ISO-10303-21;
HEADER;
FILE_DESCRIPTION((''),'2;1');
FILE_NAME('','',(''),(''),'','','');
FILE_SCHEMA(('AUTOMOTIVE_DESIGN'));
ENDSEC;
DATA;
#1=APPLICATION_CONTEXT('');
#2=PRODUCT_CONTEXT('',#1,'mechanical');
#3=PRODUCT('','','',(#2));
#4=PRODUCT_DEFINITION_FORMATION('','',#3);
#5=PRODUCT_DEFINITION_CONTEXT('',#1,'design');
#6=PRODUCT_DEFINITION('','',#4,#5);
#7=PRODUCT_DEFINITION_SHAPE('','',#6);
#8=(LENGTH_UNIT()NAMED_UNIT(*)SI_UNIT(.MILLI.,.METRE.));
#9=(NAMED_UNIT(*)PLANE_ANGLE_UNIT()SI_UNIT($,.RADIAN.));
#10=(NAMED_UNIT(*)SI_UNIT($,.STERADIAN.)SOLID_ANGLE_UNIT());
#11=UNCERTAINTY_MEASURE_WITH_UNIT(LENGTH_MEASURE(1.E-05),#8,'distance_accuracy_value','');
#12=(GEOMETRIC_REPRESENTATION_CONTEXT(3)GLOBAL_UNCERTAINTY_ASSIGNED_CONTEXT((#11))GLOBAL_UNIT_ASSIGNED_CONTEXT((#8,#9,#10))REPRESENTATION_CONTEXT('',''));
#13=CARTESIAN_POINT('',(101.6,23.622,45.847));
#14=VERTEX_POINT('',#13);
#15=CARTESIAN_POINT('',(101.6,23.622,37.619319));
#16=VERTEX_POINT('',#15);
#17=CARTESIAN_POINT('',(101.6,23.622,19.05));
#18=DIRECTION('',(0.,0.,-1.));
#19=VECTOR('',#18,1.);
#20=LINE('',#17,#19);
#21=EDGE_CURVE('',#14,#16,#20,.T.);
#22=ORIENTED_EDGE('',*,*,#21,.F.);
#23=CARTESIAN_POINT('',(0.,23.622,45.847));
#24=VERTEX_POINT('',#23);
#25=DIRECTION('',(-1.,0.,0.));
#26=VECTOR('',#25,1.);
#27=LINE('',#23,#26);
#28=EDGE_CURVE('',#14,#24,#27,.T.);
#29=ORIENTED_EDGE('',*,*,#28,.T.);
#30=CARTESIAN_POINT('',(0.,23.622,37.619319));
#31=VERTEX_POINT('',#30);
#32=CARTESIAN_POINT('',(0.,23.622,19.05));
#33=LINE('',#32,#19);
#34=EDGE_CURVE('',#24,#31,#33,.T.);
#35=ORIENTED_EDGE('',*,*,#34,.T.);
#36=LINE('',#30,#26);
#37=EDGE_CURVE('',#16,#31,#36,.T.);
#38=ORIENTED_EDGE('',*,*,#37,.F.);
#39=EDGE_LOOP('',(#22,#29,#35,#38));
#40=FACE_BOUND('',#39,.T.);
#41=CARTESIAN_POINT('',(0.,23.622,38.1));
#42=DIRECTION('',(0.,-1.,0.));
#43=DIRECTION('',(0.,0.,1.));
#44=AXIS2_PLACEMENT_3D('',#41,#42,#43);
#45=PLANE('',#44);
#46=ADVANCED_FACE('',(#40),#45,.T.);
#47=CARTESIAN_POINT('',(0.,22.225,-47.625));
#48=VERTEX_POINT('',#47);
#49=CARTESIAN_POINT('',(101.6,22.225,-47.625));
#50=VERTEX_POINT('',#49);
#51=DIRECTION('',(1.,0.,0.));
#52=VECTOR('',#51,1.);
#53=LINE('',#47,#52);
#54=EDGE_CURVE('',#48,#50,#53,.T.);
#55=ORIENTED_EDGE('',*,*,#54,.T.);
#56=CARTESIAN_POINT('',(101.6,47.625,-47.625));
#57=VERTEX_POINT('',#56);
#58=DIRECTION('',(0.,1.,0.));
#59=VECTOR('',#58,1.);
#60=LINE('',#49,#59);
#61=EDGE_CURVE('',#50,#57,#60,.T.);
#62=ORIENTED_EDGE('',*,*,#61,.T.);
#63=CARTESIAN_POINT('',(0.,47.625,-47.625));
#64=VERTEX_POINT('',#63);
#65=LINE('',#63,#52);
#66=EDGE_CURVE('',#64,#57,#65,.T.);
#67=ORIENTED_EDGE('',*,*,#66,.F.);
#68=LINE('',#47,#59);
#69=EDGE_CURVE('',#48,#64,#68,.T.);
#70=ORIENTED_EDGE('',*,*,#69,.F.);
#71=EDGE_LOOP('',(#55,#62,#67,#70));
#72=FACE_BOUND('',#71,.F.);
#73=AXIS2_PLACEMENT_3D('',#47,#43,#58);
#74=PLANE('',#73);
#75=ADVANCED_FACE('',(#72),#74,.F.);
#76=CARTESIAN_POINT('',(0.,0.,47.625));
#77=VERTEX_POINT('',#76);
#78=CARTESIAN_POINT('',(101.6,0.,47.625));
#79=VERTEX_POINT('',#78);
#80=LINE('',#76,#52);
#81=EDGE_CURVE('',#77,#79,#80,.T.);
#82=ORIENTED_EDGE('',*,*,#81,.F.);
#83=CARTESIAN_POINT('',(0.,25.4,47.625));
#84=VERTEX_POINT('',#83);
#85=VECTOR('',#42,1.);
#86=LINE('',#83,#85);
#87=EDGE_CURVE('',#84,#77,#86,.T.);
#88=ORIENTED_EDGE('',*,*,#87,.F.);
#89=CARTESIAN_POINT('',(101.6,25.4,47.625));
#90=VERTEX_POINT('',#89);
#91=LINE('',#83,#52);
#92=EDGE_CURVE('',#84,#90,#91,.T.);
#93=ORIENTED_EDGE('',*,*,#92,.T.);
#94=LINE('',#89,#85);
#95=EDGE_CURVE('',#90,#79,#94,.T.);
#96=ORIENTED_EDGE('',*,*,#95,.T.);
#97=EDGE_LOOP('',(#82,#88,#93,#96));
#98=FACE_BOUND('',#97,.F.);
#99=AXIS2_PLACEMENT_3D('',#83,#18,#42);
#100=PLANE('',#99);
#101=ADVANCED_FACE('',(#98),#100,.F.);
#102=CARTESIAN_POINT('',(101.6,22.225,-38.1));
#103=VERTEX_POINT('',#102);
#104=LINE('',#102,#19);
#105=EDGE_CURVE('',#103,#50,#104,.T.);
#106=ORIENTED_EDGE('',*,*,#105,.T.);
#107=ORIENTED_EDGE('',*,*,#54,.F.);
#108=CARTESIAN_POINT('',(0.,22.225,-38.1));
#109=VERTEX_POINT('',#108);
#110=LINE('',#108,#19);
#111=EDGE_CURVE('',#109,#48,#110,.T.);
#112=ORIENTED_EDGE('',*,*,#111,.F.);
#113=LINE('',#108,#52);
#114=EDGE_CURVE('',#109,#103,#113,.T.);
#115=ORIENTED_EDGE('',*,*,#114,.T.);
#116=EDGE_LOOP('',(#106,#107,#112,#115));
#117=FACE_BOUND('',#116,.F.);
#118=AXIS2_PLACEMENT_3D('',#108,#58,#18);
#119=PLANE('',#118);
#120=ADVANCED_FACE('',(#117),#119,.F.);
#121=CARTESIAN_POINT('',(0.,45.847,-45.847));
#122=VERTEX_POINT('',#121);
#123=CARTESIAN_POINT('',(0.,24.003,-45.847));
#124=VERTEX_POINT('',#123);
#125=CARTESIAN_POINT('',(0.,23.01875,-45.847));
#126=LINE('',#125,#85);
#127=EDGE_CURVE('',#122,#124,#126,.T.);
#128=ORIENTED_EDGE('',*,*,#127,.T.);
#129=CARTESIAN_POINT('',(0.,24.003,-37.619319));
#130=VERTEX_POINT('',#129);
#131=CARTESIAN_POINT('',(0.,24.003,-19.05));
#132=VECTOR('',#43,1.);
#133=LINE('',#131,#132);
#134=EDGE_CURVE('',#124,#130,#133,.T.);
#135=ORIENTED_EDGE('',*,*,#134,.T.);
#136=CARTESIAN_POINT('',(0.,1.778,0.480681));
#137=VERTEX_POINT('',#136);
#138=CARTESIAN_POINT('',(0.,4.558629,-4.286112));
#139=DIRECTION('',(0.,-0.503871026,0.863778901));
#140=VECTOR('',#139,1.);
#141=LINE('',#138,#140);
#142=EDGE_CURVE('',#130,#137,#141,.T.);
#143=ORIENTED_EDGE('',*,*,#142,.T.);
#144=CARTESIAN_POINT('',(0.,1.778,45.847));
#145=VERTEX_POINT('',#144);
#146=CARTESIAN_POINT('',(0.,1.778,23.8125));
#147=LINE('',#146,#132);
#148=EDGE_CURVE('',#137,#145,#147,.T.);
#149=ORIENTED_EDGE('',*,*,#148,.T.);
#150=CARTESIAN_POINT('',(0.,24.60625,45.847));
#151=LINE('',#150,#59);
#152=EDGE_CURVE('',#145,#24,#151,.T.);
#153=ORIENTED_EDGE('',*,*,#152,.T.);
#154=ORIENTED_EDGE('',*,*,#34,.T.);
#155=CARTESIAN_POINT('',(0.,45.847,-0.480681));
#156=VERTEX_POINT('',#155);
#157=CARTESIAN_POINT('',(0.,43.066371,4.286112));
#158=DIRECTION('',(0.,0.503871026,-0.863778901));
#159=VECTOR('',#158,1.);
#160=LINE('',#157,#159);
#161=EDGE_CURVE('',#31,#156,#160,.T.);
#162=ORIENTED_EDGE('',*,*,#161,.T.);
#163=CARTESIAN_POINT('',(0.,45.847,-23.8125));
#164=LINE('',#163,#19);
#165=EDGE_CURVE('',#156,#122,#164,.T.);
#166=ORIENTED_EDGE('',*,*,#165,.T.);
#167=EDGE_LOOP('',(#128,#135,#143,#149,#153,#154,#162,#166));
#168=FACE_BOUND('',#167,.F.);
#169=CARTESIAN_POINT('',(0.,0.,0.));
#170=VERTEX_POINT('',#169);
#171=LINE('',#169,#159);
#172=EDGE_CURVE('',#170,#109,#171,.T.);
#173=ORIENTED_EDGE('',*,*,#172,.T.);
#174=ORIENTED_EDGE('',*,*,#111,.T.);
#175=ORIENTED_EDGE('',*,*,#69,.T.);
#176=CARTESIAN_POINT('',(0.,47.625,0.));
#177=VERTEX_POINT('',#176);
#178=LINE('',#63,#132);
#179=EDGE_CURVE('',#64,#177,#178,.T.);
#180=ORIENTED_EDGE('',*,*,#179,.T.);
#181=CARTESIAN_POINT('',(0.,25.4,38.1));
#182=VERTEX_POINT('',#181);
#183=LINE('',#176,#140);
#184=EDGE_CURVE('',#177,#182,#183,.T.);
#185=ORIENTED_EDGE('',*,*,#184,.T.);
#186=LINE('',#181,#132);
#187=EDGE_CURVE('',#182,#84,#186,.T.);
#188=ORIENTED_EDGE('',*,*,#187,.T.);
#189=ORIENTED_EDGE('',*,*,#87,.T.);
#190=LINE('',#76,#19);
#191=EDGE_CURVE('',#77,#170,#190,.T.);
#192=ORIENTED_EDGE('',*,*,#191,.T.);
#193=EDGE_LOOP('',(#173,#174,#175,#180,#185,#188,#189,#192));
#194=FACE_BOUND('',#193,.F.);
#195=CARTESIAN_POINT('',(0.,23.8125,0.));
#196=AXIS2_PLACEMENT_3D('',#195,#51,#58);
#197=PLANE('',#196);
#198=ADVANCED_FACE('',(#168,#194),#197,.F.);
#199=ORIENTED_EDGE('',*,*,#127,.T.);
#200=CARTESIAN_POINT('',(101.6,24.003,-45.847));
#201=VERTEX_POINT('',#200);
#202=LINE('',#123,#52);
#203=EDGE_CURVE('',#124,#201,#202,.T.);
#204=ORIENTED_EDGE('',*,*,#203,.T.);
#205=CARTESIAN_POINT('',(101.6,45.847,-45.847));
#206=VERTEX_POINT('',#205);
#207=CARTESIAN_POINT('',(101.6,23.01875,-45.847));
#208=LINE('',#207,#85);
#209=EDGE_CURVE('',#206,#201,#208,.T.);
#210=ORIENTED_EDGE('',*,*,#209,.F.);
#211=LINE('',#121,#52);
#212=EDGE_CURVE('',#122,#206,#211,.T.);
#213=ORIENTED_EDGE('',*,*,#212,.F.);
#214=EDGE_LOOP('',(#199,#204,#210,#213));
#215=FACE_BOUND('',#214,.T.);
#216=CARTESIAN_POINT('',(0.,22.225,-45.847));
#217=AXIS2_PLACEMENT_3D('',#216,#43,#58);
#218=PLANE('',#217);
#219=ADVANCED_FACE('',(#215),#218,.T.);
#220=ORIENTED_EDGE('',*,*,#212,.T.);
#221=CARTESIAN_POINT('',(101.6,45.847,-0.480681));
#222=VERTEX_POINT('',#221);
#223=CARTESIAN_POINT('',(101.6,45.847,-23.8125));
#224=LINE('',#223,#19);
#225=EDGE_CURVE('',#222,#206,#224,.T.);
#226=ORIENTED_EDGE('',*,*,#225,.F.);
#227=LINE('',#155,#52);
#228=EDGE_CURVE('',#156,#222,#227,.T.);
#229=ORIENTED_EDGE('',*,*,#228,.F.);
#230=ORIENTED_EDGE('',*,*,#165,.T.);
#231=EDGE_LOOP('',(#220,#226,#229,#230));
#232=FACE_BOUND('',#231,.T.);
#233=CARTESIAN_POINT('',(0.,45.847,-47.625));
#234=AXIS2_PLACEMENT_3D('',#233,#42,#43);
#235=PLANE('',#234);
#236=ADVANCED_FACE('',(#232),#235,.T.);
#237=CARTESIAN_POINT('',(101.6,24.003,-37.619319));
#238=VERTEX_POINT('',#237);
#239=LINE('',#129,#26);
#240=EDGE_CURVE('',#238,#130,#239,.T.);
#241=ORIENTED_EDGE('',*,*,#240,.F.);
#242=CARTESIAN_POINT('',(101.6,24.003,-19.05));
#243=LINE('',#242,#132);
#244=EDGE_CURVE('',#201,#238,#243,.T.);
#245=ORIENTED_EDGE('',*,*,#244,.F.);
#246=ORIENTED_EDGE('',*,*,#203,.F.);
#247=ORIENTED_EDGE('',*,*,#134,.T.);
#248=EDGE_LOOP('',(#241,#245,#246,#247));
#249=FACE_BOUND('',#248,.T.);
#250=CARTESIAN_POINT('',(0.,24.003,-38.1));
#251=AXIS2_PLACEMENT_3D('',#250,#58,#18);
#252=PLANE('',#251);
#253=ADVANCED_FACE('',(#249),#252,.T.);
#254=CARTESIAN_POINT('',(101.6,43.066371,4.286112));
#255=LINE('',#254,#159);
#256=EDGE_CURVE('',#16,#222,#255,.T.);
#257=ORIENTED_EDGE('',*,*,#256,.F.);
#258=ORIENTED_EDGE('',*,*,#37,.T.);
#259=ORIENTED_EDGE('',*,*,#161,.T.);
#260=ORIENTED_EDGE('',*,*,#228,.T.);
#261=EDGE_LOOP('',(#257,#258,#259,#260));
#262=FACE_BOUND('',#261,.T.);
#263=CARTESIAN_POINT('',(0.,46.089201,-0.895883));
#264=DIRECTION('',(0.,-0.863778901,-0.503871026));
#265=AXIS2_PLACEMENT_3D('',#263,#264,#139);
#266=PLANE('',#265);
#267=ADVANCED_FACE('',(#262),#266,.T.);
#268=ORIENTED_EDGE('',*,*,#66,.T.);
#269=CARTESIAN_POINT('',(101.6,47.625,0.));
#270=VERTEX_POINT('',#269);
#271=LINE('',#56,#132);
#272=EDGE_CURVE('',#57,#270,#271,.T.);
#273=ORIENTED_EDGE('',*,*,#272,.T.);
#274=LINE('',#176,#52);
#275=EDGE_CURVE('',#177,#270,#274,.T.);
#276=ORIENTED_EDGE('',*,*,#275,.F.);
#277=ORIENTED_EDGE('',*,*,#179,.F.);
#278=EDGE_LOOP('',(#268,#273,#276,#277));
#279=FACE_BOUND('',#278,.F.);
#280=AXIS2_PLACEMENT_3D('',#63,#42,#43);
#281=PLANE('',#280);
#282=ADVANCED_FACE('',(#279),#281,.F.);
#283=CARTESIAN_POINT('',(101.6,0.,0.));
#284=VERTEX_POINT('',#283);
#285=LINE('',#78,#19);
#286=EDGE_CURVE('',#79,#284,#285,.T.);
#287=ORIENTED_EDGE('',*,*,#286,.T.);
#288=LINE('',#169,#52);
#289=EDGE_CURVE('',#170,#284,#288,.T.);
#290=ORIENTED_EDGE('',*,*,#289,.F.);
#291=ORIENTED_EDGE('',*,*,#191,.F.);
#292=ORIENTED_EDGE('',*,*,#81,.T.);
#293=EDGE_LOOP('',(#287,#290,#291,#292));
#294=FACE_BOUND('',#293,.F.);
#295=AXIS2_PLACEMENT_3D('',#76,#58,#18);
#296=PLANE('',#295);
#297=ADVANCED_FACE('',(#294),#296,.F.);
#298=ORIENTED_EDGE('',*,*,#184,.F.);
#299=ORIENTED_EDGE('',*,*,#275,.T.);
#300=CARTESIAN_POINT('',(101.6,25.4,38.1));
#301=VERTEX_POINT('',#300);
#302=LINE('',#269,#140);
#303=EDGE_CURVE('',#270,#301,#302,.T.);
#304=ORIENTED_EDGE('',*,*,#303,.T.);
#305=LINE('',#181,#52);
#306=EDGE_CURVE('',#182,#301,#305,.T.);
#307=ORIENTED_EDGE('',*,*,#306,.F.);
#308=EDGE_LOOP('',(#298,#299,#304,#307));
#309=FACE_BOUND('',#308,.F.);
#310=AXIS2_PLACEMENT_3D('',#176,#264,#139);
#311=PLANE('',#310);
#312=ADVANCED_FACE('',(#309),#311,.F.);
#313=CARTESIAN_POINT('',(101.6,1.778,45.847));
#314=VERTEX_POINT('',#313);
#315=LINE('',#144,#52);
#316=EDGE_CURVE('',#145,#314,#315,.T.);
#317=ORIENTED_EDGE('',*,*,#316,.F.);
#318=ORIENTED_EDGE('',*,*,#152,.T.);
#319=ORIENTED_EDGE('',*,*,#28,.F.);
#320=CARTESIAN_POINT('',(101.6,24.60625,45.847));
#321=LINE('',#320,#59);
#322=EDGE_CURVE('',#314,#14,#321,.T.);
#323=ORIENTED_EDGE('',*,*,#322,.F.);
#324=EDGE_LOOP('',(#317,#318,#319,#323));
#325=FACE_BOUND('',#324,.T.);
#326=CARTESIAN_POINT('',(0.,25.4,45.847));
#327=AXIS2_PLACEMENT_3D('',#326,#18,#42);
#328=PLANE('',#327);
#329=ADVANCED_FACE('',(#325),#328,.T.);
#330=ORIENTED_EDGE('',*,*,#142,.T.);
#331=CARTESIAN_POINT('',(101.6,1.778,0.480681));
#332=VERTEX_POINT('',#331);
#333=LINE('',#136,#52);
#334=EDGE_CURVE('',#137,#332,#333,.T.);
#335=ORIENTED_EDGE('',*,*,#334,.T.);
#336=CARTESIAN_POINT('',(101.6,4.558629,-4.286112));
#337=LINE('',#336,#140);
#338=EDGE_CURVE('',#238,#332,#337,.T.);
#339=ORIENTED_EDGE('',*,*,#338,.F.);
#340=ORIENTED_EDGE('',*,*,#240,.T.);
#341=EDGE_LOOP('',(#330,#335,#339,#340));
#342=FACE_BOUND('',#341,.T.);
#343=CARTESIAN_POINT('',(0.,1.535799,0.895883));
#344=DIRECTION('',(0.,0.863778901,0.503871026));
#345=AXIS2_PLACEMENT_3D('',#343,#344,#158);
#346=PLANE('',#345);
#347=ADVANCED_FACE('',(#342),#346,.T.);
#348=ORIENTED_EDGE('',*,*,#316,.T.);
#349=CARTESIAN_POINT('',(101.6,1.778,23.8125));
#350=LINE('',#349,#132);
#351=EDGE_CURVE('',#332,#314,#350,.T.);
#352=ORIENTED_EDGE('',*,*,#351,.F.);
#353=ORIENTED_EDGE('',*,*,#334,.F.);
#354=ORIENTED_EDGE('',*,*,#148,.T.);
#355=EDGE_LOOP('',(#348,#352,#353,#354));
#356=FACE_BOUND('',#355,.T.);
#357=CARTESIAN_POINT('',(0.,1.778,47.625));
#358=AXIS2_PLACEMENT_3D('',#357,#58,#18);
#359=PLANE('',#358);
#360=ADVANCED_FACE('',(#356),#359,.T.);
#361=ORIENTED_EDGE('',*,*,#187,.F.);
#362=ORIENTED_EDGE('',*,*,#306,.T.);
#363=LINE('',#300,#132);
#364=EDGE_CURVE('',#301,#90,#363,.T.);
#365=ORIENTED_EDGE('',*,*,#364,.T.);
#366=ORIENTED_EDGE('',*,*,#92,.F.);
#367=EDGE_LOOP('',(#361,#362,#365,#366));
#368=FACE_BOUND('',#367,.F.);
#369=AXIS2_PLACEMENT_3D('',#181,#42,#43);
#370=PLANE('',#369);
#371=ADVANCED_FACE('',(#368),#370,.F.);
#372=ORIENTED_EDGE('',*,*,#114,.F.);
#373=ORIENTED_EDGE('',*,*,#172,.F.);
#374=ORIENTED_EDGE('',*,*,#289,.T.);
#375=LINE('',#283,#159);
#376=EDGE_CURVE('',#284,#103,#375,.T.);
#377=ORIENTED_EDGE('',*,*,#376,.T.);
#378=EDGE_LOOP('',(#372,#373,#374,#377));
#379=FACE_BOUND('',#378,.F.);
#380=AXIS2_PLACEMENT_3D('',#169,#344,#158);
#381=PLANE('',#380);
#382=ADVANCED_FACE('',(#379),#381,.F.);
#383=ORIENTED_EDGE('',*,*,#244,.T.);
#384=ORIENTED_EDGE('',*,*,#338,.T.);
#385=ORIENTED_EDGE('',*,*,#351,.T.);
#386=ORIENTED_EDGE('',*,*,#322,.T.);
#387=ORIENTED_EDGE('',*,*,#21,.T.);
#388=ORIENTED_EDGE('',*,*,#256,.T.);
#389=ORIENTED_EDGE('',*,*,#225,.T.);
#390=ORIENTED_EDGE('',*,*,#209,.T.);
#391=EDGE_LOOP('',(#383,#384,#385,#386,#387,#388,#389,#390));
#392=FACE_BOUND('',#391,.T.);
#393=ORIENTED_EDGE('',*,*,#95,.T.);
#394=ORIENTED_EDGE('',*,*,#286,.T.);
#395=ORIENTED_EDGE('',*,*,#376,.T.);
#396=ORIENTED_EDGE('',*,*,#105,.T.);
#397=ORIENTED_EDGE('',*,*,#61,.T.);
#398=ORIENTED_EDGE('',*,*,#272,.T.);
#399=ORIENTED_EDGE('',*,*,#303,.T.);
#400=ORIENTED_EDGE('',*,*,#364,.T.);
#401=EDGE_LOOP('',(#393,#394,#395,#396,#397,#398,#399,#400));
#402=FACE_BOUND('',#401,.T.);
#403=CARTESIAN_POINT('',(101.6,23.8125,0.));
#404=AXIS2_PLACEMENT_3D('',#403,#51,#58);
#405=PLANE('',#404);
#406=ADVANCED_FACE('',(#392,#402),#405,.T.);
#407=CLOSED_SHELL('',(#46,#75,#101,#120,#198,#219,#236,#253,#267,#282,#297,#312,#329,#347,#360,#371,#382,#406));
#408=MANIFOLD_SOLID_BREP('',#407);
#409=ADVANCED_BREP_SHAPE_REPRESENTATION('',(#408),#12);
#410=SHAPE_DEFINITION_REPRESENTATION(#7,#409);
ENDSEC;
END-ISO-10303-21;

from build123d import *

# Parameters (mm, degrees)
F1_DEPTH = 101.6
F2_T     = -1.778


with BuildPart() as f1:
    # F0 (on Right) → F1 (new body)
    with BuildSketch(Plane.YZ):
        Polygon((25.4, 47.625), (0, 47.625), (0, 0), (22.225, -38.1), (22.225, -47.625), (47.625, -47.625), (47.625, 0), (25.4, 38.1), align=None)
    extrude(amount=F1_DEPTH)

    # F2
    f2_openings = [f1.faces().sort_by_distance(p)[0] for p in [
        (101.6, 23.8125, 0),
        (0, 23.8125, 0),
    ]]
    offset(amount=F2_T, openings=f2_openings, kind=Kind.INTERSECTION)


solid = f1.part
